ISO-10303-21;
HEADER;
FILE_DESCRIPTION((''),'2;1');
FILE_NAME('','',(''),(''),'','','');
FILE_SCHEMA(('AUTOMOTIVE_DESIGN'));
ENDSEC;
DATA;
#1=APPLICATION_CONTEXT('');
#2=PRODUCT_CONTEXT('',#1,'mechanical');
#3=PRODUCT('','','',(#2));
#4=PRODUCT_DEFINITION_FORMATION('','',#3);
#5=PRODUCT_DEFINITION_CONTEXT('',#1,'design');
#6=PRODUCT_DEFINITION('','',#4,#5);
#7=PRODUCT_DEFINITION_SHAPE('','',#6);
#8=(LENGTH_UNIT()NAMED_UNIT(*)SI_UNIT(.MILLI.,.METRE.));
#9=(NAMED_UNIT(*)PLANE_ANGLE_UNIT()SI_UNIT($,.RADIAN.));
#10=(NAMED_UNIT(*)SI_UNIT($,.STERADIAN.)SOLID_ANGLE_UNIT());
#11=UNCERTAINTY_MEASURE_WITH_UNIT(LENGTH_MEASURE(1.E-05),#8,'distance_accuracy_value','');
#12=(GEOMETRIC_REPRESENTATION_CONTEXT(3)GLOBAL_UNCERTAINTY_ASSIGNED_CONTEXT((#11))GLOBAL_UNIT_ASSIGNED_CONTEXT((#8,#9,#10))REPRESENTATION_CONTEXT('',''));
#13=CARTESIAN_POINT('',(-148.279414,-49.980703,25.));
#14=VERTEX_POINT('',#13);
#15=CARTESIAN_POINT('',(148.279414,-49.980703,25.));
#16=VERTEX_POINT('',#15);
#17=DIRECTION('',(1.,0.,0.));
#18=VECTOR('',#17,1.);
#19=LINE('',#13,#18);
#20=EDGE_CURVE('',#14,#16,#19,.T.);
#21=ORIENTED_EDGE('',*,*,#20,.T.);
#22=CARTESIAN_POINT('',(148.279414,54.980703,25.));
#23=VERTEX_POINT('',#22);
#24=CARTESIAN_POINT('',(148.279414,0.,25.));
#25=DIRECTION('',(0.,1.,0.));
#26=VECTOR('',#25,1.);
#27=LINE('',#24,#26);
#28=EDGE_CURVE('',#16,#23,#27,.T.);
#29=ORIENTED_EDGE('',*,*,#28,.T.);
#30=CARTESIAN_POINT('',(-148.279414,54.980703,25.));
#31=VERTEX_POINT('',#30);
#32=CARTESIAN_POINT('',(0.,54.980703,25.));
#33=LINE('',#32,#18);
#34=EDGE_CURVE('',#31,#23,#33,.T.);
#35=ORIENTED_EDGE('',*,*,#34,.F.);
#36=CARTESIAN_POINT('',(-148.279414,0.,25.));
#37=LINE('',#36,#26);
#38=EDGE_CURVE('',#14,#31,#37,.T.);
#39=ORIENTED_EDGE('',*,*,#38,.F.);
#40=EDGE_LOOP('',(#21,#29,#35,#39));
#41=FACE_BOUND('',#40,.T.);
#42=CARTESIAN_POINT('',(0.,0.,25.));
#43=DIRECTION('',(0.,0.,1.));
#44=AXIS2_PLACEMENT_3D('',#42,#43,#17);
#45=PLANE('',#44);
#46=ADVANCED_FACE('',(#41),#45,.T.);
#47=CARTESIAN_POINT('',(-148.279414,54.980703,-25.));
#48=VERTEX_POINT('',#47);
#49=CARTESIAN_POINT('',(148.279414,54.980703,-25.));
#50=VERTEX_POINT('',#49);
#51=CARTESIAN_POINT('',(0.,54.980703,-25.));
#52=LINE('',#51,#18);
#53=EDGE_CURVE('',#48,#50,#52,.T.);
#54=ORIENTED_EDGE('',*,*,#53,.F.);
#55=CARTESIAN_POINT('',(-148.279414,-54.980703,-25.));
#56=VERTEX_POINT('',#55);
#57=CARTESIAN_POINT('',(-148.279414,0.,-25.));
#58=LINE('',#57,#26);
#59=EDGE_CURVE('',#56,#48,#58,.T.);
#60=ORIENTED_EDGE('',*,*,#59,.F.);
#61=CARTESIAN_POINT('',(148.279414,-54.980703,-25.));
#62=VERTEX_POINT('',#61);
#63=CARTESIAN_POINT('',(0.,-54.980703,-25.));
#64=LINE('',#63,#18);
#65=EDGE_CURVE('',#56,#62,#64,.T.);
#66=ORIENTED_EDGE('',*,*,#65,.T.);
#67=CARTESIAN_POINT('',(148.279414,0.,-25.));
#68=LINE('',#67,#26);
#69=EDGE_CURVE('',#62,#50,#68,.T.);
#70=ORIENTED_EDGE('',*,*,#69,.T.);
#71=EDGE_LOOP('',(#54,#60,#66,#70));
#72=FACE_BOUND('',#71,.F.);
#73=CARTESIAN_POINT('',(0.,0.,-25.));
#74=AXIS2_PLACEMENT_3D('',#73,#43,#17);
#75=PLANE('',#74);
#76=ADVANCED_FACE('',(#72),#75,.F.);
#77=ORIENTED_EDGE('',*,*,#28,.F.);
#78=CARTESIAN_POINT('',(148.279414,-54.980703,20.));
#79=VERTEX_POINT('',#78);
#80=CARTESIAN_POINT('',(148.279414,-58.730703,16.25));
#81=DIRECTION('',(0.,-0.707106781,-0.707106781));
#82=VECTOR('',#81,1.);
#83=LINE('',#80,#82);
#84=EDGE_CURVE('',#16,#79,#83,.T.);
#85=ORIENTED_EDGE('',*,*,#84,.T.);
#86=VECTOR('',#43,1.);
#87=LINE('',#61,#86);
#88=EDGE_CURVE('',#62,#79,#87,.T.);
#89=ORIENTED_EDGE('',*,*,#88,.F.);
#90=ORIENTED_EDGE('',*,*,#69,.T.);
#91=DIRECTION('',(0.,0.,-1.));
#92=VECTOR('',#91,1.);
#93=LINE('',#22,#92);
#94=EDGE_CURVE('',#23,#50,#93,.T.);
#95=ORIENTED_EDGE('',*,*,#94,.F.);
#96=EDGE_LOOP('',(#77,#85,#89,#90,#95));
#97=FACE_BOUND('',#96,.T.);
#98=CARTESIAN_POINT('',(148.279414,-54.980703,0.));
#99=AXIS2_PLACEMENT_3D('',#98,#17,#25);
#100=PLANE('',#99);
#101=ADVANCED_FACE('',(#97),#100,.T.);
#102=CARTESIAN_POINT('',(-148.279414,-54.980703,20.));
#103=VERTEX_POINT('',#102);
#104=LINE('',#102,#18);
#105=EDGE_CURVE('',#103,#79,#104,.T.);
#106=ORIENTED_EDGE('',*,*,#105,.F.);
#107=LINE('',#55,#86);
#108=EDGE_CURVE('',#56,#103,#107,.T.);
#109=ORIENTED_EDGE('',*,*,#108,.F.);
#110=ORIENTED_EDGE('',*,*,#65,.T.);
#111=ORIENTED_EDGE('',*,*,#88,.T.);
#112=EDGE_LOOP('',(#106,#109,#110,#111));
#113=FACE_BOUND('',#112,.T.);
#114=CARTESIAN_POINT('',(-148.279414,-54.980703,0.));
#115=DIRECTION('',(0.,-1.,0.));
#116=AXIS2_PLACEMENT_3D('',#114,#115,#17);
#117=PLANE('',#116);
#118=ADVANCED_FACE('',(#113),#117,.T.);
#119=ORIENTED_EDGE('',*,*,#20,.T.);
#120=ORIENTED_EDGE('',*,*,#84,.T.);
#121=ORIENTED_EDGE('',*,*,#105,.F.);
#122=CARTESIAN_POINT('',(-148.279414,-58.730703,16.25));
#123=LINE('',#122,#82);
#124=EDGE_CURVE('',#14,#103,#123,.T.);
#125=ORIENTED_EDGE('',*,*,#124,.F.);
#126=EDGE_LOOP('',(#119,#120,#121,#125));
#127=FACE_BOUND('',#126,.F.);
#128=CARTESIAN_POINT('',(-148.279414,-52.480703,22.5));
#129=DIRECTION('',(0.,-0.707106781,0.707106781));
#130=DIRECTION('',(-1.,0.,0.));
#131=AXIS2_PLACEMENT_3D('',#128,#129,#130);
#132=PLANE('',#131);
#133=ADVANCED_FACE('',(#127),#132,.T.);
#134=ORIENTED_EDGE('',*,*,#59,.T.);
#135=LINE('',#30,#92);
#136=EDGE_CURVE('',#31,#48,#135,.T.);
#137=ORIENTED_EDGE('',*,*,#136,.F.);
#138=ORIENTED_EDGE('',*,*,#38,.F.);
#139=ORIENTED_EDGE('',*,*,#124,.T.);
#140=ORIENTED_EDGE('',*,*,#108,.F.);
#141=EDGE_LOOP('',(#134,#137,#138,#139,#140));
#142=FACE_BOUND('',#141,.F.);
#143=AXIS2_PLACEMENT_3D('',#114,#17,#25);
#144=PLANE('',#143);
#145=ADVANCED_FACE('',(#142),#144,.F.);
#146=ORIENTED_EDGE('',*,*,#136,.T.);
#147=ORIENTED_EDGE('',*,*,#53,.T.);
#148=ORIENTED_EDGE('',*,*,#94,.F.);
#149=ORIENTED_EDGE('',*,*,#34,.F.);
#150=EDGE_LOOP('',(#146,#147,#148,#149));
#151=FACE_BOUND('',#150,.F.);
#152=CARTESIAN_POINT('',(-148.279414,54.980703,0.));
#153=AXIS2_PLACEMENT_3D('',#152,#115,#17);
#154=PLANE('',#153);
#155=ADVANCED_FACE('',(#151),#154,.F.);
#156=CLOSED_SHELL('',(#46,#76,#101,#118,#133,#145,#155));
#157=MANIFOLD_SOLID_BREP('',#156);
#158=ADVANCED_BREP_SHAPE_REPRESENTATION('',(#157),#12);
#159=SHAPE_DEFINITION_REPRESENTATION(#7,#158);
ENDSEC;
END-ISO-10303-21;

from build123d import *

# Parameters (mm, degrees)
F0_W          = 296.5588271618
F0_H          = 109.9614053965
F1_DEPTH      = 25
F1_DEPTH_BACK = 25
F2_SIZE2      = 5
F2_SIZE       = 5


with BuildPart() as f1:
    # F0 (on Top) → F1 (new body, two sides)
    with BuildSketch(Plane.XY) as f1_sk:
        Rectangle(F0_W, F0_H)
    extrude(amount=F1_DEPTH)
    extrude(f1_sk.sketch, amount=-F1_DEPTH_BACK)

    # F2
    f2_edges = [f1.edges().sort_by_distance(p)[0] for p in [
        (0, -54.980703, 25),
    ]]
    chamfer(f2_edges, length=F2_SIZE, length2=F2_SIZE2)


solid = f1.part
